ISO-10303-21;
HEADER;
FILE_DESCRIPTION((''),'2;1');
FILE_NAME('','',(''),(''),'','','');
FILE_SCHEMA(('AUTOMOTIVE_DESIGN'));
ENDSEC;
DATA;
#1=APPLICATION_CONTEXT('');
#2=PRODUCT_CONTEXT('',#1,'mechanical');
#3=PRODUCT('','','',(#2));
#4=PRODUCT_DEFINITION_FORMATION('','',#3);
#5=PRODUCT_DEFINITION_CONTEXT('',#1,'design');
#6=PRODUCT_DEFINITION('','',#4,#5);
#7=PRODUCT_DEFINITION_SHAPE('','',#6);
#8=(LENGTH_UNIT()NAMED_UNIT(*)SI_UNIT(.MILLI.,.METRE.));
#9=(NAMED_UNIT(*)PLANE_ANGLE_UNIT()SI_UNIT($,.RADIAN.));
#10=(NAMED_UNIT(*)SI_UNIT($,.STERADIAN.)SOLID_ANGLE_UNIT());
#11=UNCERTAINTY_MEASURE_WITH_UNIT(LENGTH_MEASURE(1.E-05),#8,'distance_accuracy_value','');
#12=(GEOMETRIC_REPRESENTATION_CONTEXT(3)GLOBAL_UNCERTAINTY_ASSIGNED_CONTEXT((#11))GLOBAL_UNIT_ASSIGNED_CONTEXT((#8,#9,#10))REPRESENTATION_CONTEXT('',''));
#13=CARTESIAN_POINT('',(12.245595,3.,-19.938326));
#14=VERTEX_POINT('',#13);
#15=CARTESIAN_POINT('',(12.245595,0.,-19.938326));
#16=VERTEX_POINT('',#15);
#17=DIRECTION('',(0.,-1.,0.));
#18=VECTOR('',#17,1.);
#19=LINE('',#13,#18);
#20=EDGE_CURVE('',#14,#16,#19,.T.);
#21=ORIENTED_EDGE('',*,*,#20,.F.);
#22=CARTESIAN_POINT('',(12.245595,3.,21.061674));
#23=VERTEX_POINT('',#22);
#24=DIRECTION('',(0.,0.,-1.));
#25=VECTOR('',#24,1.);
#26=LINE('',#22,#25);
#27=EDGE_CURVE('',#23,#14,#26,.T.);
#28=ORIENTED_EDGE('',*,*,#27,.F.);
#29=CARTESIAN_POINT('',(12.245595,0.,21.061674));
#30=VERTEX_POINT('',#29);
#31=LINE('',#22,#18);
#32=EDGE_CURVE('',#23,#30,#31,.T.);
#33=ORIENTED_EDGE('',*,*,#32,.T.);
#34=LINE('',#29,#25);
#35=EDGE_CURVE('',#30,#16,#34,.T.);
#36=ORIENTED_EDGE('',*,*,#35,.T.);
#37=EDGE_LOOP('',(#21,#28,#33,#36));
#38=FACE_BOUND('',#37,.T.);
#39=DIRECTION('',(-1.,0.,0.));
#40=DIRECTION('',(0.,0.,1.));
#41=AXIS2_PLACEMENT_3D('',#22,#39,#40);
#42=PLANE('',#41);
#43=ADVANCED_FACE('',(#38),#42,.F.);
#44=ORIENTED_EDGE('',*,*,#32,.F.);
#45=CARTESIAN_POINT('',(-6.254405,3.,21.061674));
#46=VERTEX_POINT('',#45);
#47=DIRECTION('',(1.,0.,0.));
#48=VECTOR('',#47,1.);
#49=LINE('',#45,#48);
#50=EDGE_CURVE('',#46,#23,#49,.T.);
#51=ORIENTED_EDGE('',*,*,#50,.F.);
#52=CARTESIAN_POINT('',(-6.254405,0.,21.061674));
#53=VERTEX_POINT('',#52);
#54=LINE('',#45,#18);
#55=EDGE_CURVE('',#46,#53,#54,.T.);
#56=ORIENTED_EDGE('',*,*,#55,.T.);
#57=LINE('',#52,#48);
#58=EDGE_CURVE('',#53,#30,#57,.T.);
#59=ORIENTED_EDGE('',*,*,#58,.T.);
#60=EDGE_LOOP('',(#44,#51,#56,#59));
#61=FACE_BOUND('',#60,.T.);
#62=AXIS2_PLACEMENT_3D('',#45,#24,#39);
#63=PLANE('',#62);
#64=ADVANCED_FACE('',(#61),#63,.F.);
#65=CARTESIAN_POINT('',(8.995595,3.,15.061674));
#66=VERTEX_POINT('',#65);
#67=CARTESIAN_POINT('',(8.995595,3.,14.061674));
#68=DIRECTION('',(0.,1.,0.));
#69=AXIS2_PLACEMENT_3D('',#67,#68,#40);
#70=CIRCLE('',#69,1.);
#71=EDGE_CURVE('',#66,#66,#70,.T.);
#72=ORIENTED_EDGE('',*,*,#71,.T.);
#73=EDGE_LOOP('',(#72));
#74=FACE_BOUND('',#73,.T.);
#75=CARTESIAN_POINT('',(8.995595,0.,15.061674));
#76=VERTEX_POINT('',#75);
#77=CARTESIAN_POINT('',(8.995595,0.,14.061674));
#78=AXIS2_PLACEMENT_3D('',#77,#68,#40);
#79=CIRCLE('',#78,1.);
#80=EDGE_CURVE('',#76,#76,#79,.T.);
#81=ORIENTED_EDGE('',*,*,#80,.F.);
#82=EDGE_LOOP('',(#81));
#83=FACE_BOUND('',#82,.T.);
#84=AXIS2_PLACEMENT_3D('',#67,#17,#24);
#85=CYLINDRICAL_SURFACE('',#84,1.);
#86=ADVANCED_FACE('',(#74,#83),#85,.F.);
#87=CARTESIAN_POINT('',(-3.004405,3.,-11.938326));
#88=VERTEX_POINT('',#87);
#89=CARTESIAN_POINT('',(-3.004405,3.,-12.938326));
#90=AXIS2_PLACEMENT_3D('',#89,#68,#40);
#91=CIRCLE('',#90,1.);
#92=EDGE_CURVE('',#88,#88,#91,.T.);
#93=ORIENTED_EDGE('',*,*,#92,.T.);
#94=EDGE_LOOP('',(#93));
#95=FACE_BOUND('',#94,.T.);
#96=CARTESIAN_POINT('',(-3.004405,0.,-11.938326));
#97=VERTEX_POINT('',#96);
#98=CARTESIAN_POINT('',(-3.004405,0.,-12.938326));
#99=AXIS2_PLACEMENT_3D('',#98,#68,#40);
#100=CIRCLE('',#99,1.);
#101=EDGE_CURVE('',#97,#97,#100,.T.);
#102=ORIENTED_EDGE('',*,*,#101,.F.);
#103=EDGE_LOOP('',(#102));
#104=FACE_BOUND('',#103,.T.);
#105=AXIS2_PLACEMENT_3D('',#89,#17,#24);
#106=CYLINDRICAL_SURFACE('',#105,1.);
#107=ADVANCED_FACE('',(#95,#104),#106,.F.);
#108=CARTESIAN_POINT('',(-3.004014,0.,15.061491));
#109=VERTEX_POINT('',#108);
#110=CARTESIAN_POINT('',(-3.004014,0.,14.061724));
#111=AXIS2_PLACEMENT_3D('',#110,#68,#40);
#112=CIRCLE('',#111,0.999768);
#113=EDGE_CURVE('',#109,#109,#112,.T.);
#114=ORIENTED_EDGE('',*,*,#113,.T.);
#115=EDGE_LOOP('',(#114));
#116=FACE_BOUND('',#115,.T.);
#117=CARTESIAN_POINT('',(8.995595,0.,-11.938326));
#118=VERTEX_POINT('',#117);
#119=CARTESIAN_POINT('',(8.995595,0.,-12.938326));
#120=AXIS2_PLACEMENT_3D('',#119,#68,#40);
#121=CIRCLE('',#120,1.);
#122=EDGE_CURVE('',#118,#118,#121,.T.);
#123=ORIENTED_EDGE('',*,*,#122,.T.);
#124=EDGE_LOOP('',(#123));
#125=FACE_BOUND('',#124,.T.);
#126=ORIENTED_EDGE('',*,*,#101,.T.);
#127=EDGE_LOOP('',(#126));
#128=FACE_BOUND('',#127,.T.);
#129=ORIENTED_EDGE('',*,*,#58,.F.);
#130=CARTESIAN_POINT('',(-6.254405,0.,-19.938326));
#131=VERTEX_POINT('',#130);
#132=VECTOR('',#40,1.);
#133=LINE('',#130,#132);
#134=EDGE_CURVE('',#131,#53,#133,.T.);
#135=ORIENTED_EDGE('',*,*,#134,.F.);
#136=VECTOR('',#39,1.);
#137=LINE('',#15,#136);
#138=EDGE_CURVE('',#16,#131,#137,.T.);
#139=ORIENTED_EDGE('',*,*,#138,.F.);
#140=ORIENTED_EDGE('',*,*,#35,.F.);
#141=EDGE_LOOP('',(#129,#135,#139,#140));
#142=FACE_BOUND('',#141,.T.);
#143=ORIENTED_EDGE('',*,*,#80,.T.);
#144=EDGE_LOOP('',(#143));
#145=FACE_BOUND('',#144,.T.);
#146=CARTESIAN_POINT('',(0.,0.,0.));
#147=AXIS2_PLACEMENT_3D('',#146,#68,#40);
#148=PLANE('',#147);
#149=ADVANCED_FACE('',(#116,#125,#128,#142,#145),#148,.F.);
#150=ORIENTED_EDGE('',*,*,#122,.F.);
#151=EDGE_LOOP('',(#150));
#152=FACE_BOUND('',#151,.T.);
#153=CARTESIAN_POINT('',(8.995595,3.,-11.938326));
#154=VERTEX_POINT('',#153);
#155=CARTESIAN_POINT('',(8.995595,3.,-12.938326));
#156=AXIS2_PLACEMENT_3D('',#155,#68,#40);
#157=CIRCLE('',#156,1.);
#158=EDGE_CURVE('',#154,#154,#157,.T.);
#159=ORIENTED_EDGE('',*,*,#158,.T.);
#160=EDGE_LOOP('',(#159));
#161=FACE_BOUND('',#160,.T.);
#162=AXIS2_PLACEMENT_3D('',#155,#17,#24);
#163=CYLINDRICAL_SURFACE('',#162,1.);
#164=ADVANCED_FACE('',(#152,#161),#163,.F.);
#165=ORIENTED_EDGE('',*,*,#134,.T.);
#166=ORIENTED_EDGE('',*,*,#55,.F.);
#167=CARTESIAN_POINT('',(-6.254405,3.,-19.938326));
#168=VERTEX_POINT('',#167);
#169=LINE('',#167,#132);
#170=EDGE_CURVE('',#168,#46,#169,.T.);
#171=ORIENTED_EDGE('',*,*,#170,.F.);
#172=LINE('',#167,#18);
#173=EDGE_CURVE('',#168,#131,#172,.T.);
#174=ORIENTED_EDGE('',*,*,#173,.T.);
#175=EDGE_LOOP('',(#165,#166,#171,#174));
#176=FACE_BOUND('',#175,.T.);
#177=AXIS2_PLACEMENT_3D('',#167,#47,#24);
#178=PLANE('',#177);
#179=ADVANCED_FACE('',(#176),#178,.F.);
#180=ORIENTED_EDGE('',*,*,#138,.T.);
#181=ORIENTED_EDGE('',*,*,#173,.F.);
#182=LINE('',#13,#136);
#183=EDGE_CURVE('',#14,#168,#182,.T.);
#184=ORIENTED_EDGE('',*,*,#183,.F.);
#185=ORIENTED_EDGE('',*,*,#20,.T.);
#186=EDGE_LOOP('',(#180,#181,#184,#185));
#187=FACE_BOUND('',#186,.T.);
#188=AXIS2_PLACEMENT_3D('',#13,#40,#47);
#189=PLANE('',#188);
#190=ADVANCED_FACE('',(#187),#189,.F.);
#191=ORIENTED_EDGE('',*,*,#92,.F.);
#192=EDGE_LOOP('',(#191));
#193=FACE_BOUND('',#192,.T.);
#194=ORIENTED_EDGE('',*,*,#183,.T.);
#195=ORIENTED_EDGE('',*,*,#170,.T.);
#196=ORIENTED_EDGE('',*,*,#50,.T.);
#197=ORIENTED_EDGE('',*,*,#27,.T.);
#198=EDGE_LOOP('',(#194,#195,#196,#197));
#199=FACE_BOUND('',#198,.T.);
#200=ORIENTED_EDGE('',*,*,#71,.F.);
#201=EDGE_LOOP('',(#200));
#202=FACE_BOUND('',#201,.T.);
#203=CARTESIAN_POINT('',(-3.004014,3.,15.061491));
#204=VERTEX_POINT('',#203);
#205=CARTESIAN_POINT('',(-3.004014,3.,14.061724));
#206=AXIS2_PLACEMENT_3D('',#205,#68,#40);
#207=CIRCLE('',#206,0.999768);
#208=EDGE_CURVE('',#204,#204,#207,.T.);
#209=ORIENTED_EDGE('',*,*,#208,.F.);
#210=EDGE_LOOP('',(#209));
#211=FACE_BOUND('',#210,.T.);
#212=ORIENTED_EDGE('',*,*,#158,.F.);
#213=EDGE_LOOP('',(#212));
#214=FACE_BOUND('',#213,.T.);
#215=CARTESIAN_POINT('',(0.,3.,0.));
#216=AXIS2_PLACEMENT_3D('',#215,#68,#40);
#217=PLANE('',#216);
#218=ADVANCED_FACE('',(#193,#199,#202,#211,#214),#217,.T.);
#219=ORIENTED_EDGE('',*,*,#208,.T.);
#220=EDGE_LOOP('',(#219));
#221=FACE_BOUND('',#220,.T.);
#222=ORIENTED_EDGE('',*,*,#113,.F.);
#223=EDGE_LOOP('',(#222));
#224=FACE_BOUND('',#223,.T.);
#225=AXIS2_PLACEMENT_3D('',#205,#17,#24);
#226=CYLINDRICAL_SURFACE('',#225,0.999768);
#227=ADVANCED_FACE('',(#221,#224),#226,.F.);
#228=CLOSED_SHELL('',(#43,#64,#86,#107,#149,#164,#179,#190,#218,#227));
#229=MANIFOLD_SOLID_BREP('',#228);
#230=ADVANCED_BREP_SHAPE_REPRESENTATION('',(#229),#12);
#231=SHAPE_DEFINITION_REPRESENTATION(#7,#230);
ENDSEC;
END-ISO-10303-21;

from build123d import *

# Parameters (mm, degrees)
CROQUIS1_W              = 18.5
CROQUIS1_H              = 41
CROQUIS1_R              = 0.999999878
CROQUIS1_R_2            = 1.000000038
CROQUIS1_R_3            = 0.99976782
CROQUIS1_R_4            = 0.999999972
SALIENTE_EXTRUIR1_DEPTH = 3


with BuildPart() as part:
    # Croquis1 → Saliente-Extruir1 (new body)
    with BuildSketch(Plane(origin=(0, 0, 0), x_dir=(1, 0, 0), z_dir=(0, 1, 0))):
        with Locations((2.995594555, -0.561673979)):
            Rectangle(CROQUIS1_W, CROQUIS1_H)
        with Locations((-3.004405388, 12.938325994)):
            Circle(CROQUIS1_R, mode=Mode.SUBTRACT)
        with Locations((8.995594645, 12.938325812)):
            Circle(CROQUIS1_R_2, mode=Mode.SUBTRACT)
        with Locations((-3.004013612, -14.061723516)):
            Circle(CROQUIS1_R_3, mode=Mode.SUBTRACT)
        with Locations((8.9955946, -14.061674139)):
            Circle(CROQUIS1_R_4, mode=Mode.SUBTRACT)
    extrude(amount=SALIENTE_EXTRUIR1_DEPTH)


solid = part.part
